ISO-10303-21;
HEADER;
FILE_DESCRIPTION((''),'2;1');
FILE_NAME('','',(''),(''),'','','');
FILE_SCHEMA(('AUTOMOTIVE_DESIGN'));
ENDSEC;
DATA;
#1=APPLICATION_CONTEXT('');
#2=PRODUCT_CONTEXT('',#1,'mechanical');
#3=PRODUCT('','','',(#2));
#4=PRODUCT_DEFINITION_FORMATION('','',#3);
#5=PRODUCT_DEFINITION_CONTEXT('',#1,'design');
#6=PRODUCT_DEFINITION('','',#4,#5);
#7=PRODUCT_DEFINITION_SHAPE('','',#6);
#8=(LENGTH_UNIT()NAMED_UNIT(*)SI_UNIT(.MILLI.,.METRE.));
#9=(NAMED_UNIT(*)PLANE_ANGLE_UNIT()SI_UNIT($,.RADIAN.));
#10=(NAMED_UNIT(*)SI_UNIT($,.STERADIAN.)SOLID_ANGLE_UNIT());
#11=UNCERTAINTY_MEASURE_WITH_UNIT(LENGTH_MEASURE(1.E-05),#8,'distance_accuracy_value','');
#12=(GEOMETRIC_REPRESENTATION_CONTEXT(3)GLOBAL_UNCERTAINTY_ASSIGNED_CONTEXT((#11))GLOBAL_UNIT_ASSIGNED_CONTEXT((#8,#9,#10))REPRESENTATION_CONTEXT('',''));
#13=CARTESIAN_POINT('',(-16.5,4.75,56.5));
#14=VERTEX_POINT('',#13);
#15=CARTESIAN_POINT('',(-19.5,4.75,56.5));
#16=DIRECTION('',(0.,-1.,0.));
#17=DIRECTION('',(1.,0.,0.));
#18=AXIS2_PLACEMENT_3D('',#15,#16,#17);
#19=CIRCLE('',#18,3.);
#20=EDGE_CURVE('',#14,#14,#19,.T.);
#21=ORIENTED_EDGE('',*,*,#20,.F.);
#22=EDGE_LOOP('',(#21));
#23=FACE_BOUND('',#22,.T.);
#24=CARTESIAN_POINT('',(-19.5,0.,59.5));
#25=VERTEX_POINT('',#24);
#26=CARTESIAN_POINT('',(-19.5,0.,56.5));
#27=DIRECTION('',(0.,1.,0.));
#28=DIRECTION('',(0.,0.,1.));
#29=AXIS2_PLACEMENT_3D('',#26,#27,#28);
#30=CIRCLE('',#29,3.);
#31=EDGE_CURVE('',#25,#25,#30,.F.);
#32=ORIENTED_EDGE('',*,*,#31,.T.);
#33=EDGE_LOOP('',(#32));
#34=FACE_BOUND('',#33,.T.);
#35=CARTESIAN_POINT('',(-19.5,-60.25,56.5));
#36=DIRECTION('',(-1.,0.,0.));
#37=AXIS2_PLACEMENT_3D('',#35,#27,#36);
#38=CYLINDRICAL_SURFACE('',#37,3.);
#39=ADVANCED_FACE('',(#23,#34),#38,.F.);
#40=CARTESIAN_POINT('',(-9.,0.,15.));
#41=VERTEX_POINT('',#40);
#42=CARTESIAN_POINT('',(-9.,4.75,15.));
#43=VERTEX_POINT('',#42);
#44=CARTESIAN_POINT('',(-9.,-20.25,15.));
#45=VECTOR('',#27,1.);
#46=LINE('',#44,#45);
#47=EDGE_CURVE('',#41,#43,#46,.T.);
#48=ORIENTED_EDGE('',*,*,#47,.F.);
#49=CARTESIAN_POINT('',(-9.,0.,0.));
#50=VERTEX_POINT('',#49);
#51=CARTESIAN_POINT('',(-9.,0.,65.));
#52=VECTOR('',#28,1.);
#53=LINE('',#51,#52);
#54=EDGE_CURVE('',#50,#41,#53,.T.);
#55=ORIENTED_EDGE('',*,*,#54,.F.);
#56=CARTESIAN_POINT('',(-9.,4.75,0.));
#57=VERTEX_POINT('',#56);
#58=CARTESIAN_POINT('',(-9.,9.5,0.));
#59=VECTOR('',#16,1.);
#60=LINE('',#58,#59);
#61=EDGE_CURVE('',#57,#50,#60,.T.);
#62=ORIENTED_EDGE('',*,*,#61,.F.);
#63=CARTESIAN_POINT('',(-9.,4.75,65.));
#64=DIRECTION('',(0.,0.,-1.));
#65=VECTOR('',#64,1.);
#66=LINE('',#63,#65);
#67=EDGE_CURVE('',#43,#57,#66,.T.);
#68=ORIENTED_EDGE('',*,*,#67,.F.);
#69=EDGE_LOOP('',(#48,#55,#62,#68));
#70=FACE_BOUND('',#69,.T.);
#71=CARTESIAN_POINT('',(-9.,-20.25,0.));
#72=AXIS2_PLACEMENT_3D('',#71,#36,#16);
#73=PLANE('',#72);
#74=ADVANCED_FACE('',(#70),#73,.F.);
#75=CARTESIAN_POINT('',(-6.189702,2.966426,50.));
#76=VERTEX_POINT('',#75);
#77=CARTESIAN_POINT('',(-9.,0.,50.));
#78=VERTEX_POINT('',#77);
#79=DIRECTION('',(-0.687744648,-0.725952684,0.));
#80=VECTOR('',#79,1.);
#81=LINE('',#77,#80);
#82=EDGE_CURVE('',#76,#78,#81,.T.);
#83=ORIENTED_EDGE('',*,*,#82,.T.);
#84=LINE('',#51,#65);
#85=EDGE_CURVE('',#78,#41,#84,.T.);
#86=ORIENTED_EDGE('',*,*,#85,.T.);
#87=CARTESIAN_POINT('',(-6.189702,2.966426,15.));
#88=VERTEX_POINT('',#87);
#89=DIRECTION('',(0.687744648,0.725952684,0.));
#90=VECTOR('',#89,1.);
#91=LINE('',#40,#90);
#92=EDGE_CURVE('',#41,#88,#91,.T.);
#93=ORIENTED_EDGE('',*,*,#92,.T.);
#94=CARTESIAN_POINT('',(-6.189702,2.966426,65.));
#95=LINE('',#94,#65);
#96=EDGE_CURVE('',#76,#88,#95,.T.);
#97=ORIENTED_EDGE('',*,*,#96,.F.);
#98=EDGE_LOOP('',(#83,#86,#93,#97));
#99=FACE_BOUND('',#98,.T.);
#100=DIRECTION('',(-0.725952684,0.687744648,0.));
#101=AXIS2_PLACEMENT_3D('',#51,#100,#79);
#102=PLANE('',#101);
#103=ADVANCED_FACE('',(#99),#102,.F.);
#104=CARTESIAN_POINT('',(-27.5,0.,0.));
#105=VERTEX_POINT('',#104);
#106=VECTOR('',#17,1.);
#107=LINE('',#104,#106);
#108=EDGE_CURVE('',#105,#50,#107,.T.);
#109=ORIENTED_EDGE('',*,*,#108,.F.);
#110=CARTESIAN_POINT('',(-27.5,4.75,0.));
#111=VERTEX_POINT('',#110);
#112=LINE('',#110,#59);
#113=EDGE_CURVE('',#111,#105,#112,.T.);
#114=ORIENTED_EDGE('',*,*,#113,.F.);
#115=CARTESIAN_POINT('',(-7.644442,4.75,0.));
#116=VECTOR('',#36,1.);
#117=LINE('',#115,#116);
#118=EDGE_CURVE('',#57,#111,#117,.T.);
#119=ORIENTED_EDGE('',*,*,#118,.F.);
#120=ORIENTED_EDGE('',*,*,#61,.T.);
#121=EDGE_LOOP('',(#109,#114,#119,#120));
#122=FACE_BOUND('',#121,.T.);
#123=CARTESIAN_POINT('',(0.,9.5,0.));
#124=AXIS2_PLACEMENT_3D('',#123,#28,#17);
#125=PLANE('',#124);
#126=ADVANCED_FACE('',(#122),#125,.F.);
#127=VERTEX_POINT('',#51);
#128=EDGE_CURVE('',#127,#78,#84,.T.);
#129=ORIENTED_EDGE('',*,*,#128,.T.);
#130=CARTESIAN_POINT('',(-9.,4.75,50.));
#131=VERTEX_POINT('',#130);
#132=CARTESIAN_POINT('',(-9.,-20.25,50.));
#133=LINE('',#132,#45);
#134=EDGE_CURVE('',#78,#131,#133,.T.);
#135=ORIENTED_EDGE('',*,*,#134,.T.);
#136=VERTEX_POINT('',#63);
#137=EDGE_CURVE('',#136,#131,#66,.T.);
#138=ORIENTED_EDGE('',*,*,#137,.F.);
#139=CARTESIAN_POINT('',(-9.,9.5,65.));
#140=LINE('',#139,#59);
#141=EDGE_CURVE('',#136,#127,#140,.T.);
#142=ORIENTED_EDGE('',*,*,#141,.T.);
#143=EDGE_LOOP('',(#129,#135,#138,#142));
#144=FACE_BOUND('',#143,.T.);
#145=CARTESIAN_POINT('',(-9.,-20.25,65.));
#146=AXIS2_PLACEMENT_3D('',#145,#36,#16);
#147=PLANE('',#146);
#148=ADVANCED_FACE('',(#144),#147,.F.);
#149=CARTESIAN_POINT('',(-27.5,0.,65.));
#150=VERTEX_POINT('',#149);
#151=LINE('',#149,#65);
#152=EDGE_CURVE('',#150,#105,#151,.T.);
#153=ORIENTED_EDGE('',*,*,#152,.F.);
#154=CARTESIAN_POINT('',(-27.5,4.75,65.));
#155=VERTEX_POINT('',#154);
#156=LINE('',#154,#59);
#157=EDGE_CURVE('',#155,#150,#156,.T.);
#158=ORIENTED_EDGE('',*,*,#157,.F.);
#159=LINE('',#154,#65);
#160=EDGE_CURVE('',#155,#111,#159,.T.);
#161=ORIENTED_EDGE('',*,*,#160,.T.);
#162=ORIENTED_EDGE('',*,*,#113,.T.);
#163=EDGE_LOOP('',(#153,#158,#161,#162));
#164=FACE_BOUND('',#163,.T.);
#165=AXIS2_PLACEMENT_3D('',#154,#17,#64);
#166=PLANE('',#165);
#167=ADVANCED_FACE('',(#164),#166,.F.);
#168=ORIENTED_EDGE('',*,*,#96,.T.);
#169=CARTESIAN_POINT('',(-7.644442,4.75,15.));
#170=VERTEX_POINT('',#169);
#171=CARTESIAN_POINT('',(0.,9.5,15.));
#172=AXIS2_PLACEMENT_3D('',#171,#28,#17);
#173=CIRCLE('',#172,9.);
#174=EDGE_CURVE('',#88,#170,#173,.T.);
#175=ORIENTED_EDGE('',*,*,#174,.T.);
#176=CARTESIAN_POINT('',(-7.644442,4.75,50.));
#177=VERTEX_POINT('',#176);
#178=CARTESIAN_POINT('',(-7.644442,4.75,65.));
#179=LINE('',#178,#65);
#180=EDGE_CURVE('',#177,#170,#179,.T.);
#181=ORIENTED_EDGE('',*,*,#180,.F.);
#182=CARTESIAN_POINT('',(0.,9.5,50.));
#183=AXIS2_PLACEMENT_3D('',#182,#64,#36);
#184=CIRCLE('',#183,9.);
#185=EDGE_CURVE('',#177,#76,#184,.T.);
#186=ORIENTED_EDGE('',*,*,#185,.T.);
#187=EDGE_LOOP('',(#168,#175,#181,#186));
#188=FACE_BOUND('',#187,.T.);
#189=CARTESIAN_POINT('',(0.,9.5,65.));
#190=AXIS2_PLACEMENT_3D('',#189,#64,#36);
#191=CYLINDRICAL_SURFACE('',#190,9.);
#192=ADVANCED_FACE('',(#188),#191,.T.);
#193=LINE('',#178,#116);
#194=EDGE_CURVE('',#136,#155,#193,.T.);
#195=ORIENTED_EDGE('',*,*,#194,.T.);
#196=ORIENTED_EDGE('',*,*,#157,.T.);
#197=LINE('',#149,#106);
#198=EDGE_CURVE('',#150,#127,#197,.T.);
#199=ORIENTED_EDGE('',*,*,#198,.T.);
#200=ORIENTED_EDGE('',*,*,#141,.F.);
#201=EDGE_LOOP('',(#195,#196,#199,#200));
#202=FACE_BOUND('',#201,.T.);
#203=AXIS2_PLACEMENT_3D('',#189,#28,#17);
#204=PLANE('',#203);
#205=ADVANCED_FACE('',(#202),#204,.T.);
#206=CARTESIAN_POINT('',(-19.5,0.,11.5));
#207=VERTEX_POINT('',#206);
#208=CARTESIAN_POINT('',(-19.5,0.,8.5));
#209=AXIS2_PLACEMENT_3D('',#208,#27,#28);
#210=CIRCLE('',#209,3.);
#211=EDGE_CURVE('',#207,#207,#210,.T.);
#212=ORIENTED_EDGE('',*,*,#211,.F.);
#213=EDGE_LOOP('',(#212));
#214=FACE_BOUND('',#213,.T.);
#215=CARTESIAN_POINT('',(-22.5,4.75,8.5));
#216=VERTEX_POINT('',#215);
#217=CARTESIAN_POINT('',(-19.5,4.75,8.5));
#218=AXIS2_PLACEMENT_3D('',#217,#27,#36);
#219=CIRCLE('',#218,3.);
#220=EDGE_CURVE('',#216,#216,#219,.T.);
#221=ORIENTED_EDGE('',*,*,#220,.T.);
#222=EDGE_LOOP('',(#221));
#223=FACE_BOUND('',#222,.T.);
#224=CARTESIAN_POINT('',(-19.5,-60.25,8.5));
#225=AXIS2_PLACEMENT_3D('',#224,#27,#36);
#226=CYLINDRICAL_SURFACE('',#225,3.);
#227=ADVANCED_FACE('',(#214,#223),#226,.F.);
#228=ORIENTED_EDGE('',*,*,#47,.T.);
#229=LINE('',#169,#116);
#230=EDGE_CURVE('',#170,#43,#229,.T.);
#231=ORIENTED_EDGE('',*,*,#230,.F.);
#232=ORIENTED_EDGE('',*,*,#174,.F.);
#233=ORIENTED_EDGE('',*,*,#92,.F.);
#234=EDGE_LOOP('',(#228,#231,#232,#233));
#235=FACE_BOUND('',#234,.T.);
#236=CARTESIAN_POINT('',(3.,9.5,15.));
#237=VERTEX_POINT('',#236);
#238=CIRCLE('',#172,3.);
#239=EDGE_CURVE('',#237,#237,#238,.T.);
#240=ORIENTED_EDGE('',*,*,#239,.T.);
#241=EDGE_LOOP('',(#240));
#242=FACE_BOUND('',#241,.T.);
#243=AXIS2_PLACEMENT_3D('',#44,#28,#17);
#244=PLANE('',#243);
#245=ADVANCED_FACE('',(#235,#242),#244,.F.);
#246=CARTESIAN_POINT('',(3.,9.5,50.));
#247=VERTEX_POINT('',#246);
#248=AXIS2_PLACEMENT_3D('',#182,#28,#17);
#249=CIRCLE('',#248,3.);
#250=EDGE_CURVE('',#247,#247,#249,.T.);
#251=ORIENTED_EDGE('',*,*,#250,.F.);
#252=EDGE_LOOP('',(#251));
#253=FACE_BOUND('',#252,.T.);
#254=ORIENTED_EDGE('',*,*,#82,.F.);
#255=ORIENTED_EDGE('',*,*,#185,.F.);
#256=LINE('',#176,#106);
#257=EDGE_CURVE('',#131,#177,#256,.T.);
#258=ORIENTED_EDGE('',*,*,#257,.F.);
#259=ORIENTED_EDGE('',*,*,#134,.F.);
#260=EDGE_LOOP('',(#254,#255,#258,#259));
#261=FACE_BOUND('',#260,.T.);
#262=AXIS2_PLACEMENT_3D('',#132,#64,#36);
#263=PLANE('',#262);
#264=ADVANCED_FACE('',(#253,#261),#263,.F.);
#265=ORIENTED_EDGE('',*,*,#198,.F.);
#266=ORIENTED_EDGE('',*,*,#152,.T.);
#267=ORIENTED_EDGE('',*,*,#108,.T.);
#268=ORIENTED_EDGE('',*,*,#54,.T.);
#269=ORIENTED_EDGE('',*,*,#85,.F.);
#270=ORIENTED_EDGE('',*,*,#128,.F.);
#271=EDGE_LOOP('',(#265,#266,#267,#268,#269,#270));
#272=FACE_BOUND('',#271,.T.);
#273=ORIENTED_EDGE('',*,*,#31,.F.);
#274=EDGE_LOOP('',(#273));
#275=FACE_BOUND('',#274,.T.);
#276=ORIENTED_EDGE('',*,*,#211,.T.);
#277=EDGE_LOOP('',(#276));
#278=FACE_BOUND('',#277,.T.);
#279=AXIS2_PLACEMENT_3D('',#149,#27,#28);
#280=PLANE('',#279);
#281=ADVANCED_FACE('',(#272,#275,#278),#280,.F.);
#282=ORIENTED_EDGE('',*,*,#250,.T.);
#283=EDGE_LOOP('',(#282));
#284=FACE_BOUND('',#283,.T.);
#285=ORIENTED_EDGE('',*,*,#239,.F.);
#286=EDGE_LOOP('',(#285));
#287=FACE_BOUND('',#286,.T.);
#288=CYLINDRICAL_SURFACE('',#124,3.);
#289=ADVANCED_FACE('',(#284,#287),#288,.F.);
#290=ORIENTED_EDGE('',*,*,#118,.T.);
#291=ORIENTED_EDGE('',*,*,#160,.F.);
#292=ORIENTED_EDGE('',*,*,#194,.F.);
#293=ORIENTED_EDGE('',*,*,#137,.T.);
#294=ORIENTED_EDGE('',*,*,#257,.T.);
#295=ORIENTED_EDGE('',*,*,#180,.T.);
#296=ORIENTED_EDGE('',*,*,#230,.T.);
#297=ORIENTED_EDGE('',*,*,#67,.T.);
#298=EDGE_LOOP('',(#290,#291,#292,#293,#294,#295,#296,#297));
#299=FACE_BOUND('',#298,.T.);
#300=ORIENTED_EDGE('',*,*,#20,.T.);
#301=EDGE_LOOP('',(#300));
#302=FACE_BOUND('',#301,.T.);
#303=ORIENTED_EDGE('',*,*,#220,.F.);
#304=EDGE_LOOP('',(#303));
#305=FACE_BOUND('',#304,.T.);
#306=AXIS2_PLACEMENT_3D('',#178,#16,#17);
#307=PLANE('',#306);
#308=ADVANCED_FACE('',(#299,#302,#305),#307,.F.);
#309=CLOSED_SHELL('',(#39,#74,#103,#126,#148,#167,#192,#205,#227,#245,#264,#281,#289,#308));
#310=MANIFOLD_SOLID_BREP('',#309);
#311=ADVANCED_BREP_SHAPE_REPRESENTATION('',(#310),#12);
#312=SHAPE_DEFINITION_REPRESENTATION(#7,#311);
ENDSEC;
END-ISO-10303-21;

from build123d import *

# Parameters (mm, degrees)
EXTRUDE_1_DEPTH     = 65
SKETCH_2_R          = 3
CUT_EXTRUDE_1_DEPTH = 65
SKETCH_3_W          = 18
SKETCH_3_H          = 15
CUT_EXTRUDE_2_DEPTH = 25
SKETCH_4_R          = 3
CUT_EXTRUDE_3_DEPTH = 50


with BuildPart() as part:
    # 草图1 → 凸台-拉伸1 (new body)
    with BuildSketch(Plane.XY):
        with BuildLine():
            Line((-27.5, 4.75), (-27.5, 0))
            Line((-27.5, 0), (-9, 0))
            Line((-9, 0), (-6.189701831, 2.966425845))
            ThreePointArc((-6.189701831, 2.966425845), (6.974322263, 15.188482133), (-7.644442426, 4.75))
            Line((-7.644442426, 4.75), (-27.5, 4.75))
        make_face()
    extrude(amount=EXTRUDE_1_DEPTH)

    # 草图2 → 切除-拉伸1 (cut)
    with BuildSketch(Plane(origin=(0, 4.75, 0), x_dir=(1, 0, 0), z_dir=(0, 1, 0))):
        with Locations(Location((-19.5, -8.5, 0), (0, 0, 180))):
            Circle(SKETCH_2_R)
        with Locations(Location((-19.5, -56.5, 0), (0, 0, 270))):
            Circle(SKETCH_2_R)
    extrude(amount=-CUT_EXTRUDE_1_DEPTH, mode=Mode.SUBTRACT)

    # 草图3 → 切除-拉伸2 (cut, symmetric)
    with BuildSketch(Plane(origin=(0, 4.75, 0), x_dir=(1, 0, 0), z_dir=(0, 1, 0))):
        with Locations((0, -7.5)):
            Rectangle(SKETCH_3_W, SKETCH_3_H)
        with Locations((0, -57.5)):
            Rectangle(SKETCH_3_W, SKETCH_3_H)
    extrude(amount=CUT_EXTRUDE_2_DEPTH, both=True, mode=Mode.SUBTRACT)

    # 草图4 → 切除-拉伸3 (cut)
    with BuildSketch(Plane.XY.offset(50)):
        with Locations((0, 9.5)):
            Circle(SKETCH_4_R)
    extrude(amount=-CUT_EXTRUDE_3_DEPTH, mode=Mode.SUBTRACT)


solid = part.part
